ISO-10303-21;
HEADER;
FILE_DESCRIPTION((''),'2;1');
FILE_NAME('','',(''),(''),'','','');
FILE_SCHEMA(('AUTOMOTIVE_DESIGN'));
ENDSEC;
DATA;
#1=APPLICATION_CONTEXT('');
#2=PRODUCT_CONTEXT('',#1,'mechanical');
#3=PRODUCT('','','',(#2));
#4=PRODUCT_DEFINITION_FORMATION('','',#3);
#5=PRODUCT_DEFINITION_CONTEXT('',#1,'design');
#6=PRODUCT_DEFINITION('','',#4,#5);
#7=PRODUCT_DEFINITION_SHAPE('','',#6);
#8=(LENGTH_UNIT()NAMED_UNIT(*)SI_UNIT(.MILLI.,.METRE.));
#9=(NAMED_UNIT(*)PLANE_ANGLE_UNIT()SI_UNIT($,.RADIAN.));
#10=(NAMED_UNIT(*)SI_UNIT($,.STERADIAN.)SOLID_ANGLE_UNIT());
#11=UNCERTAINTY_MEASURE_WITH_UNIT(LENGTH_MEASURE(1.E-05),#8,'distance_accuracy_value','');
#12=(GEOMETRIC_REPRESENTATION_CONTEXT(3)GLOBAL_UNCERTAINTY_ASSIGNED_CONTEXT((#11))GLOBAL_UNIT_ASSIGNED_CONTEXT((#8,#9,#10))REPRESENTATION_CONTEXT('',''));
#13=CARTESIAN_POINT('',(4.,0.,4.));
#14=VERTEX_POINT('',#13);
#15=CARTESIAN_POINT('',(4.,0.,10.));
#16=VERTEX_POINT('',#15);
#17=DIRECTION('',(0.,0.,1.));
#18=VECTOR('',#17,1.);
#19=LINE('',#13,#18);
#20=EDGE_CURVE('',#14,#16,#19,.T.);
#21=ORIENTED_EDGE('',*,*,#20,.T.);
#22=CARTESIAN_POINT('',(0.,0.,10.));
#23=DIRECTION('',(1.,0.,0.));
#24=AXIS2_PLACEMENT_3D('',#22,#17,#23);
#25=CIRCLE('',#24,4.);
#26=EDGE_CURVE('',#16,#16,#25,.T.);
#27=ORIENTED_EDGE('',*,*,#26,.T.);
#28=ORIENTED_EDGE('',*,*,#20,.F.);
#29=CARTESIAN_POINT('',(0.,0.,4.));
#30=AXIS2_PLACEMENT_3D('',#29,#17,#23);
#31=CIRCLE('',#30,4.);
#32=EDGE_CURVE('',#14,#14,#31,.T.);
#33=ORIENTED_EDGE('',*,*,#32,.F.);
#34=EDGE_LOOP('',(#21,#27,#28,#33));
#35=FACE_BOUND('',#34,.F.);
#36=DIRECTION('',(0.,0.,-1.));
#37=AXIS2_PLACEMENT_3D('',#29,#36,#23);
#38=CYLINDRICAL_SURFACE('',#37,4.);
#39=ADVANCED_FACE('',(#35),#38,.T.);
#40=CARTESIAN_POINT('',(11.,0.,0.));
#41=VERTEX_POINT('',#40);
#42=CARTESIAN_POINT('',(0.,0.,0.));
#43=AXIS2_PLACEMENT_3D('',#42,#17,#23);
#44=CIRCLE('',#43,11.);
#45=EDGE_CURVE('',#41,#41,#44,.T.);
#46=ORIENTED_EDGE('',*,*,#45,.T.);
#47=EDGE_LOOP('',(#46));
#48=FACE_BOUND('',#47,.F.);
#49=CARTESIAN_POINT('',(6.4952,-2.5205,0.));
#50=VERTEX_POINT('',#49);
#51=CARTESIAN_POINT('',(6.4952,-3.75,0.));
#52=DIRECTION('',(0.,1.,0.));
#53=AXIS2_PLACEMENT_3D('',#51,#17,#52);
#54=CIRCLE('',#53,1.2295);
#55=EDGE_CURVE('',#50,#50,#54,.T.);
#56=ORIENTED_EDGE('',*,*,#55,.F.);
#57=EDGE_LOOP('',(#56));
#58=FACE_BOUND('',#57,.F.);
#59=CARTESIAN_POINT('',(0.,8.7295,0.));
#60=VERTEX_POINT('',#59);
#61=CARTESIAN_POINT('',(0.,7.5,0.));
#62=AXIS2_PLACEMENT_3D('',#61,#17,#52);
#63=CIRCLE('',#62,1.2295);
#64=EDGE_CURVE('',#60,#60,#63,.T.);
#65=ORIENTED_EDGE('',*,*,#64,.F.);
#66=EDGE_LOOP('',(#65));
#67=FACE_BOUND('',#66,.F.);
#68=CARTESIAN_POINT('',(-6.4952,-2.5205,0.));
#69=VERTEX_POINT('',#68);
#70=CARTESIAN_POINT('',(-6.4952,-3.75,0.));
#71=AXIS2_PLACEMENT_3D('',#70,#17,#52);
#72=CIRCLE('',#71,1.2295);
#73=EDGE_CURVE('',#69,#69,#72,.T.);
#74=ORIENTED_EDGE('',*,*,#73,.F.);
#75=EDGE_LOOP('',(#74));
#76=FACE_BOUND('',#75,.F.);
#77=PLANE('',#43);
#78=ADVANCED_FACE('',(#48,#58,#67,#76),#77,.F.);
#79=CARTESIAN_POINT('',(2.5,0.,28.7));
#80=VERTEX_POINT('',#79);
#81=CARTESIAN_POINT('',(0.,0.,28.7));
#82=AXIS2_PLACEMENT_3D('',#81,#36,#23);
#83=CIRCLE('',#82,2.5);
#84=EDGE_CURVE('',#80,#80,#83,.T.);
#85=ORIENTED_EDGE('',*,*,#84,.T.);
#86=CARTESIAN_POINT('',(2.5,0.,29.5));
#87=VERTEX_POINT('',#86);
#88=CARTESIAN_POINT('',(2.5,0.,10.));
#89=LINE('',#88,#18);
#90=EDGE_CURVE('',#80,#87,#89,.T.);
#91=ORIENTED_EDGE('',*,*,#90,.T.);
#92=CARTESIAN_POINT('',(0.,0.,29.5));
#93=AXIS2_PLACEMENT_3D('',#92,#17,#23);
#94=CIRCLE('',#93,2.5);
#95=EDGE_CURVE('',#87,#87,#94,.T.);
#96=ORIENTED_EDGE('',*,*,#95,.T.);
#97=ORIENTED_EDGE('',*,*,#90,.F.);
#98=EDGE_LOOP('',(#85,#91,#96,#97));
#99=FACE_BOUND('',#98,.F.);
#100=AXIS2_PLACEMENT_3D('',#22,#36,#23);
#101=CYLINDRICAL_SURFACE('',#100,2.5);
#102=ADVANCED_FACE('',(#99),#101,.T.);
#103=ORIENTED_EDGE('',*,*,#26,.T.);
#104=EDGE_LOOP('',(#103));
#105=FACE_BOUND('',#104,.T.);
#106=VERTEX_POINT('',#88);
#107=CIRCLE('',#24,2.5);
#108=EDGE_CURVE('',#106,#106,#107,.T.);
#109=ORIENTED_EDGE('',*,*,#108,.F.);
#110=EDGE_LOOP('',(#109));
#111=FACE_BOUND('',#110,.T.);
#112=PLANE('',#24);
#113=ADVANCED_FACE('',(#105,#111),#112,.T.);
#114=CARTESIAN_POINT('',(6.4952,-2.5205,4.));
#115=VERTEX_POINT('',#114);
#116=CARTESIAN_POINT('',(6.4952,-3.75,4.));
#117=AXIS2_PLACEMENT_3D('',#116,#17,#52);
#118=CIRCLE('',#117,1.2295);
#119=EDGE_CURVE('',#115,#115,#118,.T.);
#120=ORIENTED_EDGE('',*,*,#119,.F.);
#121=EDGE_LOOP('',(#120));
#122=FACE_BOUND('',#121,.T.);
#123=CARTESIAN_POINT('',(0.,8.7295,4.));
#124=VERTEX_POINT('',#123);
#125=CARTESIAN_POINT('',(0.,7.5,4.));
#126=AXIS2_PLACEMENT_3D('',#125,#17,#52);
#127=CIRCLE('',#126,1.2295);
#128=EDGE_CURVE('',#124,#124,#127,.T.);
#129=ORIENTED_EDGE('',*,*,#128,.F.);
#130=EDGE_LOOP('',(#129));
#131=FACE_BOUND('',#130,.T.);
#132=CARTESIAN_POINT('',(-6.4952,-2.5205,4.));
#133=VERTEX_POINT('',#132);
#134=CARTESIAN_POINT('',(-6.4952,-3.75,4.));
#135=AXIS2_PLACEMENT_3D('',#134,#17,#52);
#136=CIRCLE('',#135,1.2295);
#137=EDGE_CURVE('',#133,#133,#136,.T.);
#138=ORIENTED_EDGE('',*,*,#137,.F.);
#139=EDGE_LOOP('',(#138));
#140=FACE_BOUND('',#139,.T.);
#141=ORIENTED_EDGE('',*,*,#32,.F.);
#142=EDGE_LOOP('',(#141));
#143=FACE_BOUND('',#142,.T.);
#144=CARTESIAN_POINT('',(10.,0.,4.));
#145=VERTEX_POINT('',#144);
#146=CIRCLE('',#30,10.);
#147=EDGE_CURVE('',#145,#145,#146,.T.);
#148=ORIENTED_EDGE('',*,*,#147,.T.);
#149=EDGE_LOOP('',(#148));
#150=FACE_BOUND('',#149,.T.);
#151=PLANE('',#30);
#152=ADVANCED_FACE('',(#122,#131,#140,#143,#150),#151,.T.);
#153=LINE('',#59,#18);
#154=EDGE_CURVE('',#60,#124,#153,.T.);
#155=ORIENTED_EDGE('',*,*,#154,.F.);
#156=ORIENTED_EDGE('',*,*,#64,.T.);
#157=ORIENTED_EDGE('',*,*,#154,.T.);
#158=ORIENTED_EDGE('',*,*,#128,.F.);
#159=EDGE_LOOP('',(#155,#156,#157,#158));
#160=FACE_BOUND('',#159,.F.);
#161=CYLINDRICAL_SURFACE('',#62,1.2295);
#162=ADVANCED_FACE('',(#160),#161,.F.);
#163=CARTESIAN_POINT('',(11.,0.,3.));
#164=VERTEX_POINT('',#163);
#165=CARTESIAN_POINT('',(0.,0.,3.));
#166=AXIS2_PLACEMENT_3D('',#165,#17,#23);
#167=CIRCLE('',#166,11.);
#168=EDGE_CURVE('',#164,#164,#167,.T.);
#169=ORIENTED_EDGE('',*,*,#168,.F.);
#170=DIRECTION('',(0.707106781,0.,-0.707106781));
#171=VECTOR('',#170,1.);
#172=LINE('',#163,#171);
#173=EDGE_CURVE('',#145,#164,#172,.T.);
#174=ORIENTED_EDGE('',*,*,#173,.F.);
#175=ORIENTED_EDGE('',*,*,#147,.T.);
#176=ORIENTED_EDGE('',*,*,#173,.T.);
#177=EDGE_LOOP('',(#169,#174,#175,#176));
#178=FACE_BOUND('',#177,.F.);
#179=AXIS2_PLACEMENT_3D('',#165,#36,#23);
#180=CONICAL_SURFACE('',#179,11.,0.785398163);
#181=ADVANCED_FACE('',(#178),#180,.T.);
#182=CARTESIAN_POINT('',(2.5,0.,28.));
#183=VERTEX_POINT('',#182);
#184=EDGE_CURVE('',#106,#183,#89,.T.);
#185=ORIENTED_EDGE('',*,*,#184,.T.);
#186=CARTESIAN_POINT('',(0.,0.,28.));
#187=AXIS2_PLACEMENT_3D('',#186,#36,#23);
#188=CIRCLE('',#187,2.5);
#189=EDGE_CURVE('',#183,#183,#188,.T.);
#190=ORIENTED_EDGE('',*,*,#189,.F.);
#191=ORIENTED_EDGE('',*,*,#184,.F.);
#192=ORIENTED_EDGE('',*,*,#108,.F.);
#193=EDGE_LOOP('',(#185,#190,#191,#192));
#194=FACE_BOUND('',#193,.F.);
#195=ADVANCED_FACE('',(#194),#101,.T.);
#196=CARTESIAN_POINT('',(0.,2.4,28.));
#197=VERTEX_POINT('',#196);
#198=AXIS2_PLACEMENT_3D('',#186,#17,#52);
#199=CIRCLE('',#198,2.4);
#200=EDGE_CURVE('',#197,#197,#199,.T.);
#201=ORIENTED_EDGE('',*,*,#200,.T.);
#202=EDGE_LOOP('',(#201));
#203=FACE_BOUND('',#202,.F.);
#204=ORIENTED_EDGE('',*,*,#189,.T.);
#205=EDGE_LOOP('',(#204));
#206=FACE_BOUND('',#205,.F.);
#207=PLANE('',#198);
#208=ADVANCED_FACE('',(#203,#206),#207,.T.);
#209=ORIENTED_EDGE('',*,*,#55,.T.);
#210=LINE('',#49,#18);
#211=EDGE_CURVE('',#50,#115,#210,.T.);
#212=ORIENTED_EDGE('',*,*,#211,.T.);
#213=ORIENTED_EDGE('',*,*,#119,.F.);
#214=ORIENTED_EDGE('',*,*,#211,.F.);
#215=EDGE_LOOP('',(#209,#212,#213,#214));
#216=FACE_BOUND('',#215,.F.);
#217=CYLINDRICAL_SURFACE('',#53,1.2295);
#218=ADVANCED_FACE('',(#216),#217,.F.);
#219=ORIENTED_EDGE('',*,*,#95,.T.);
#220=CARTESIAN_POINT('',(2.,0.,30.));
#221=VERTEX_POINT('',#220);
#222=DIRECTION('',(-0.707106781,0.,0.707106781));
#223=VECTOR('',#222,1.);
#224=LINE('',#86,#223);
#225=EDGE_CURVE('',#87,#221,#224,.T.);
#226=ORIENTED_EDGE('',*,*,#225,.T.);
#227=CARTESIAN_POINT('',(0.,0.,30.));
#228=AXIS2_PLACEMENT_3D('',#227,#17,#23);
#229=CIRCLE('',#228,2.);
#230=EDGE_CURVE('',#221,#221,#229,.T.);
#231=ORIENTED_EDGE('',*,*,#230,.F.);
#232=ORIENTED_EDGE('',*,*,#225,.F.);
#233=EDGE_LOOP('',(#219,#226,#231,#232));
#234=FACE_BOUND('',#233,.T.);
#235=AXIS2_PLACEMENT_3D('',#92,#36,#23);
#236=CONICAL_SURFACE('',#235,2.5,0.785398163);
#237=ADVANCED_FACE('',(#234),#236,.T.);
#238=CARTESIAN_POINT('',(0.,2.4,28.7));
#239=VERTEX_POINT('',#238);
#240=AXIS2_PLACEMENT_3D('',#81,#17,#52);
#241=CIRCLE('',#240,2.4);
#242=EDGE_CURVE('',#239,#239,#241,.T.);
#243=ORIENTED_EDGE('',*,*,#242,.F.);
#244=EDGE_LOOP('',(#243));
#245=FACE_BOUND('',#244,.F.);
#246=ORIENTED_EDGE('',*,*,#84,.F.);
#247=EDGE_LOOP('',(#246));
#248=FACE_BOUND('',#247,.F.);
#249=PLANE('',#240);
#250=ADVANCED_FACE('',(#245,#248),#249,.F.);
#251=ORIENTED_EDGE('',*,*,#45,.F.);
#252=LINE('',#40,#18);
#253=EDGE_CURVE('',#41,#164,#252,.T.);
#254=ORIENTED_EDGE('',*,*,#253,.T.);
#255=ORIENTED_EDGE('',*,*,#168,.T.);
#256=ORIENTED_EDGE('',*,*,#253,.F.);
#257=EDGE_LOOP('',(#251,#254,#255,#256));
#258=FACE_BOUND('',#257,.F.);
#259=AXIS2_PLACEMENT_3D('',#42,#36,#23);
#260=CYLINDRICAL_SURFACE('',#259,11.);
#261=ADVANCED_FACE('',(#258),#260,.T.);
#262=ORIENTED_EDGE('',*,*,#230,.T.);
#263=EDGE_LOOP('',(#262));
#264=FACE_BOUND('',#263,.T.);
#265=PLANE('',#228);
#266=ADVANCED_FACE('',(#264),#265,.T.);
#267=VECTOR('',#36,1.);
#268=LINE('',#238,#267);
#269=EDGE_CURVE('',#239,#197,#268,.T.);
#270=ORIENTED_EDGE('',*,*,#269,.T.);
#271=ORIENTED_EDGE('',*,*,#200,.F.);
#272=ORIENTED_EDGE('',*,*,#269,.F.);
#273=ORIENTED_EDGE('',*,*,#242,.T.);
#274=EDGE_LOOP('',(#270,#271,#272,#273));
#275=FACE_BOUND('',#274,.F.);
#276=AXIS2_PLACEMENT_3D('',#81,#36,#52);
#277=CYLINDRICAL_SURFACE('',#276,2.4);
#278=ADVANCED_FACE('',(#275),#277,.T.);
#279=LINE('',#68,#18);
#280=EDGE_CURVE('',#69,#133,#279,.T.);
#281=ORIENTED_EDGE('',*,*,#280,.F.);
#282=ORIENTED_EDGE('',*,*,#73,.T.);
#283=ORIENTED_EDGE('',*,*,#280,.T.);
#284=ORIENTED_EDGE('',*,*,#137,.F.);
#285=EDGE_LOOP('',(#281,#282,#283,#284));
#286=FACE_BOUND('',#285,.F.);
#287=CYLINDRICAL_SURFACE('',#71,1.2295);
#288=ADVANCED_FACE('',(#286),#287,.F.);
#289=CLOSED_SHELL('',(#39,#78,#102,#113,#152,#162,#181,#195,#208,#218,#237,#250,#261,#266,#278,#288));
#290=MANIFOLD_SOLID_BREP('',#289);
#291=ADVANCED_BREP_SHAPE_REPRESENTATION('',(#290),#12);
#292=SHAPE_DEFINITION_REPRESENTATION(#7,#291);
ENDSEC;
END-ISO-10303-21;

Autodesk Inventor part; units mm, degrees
ref_plane "YZ Plane" through (0, 0, 0) normal (1, 0, 0) x (0, 1, 0)
ref_plane "XZ Plane" through (0, 0, 0) normal (0, 1, 0) x (-1, 0, 0)
ref_plane "XY Plane" through (0, 0, 0) normal (0, 0, 1) x (1, 0, 0)
sketch "Skizze1" plane through (0, 0, 0) normal (0, 0, 1) x (1, 0, 0)
  circle A0 centre (0, 0) radius 11
  dimension "d0" = 22
extrude "Extrusion1" add sketch "Skizze1" along normal blind 4
sketch "Skizze2" plane through (0, 0, 4) normal (0, 0, 1) x (1, 0, 0)
  circle A0 centre (0, 0) radius 11 projected
  circle A1 centre (0, 0) radius 4
  dimension "d3" = 8
extrude "Extrusion2" add sketch "Skizze2" along normal blind 6 contours A1
sketch "Skizze3" plane through (0, 0, 10) normal (0, 0, 1) x (1, 0, 0)
  circle A0 centre (0, 0) radius 4 projected
  circle A1 centre (0, 0) radius 2.5
  dimension "d6" = 5
extrude "Extrusion3" add sketch "Skizze3" along normal blind 20 contours A1
sketch "Skizze4" plane through (0, 0, 0) normal (0, 0, -1) x (-1, 0, 0)
  circle A0 centre (0, 0) radius 11 projected
  line L0 (17.5, 0) -> (-17.5, 0) projected
  line L1 (0, -17.5) -> (0, 17.5) projected
  circle A1 centre (0, 0) radius 7.5
  line L2 (6.4952, -3.75) -> (0, 0)
  line L3 (0, 0) -> (-6.4952, -3.75)
  point P0 (0, 7.5)
  dimension "d9" = 15
  dimension "d10" = 120
  dimension "d11" = 120
hole "Bohrung1" at (0, 7.5, 0) at (-6.4952, -3.75, 0) at (6.4952, -3.75, 0) direction (0, 0, 1) diameter 2.459 end through all thread size "M3x0.5" class "6H" standard "ISO Metric profile"
chamfer "Fase1" distance 0.5 angle 45 1 edges at (-2.5, 0, 30)
sketch "Skizze5" plane through (0, 0, 0) normal (1, 0, 0) x (0, 1, 0)
  line L0 (-2.5, 10) -> (2.5, 10) projected
  line L1 (2.5, 29.5) -> (-2.5, 29.5) projected
  line L2 (2.5, 10) -> (2.5, 29.5) projected
  line L3 (0, -4.3) -> (0, 25.8) projected
  line L4 (2.5, 28.7) -> (2.4, 28.7)
  line L5 (2.4, 28.7) -> (2.4, 28)
  line L6 (2.4, 28) -> (2.5, 28)
  line L7 (2.5, 28) -> (2.5, 28.7)
  point P0 (0, 0)
  dimension "d31" = 18
  dimension "d32" = 0.7
  dimension "d33" = 4.8
revolve "Umdrehung1" cut sketch "Skizze5" angle 360 about axis through (0, 0, -10) along (0, 0, 1)
chamfer "Fase3" distance 1 angle 45 1 edges at (-11, 0, 4)
properties part number "13_0204_017"
